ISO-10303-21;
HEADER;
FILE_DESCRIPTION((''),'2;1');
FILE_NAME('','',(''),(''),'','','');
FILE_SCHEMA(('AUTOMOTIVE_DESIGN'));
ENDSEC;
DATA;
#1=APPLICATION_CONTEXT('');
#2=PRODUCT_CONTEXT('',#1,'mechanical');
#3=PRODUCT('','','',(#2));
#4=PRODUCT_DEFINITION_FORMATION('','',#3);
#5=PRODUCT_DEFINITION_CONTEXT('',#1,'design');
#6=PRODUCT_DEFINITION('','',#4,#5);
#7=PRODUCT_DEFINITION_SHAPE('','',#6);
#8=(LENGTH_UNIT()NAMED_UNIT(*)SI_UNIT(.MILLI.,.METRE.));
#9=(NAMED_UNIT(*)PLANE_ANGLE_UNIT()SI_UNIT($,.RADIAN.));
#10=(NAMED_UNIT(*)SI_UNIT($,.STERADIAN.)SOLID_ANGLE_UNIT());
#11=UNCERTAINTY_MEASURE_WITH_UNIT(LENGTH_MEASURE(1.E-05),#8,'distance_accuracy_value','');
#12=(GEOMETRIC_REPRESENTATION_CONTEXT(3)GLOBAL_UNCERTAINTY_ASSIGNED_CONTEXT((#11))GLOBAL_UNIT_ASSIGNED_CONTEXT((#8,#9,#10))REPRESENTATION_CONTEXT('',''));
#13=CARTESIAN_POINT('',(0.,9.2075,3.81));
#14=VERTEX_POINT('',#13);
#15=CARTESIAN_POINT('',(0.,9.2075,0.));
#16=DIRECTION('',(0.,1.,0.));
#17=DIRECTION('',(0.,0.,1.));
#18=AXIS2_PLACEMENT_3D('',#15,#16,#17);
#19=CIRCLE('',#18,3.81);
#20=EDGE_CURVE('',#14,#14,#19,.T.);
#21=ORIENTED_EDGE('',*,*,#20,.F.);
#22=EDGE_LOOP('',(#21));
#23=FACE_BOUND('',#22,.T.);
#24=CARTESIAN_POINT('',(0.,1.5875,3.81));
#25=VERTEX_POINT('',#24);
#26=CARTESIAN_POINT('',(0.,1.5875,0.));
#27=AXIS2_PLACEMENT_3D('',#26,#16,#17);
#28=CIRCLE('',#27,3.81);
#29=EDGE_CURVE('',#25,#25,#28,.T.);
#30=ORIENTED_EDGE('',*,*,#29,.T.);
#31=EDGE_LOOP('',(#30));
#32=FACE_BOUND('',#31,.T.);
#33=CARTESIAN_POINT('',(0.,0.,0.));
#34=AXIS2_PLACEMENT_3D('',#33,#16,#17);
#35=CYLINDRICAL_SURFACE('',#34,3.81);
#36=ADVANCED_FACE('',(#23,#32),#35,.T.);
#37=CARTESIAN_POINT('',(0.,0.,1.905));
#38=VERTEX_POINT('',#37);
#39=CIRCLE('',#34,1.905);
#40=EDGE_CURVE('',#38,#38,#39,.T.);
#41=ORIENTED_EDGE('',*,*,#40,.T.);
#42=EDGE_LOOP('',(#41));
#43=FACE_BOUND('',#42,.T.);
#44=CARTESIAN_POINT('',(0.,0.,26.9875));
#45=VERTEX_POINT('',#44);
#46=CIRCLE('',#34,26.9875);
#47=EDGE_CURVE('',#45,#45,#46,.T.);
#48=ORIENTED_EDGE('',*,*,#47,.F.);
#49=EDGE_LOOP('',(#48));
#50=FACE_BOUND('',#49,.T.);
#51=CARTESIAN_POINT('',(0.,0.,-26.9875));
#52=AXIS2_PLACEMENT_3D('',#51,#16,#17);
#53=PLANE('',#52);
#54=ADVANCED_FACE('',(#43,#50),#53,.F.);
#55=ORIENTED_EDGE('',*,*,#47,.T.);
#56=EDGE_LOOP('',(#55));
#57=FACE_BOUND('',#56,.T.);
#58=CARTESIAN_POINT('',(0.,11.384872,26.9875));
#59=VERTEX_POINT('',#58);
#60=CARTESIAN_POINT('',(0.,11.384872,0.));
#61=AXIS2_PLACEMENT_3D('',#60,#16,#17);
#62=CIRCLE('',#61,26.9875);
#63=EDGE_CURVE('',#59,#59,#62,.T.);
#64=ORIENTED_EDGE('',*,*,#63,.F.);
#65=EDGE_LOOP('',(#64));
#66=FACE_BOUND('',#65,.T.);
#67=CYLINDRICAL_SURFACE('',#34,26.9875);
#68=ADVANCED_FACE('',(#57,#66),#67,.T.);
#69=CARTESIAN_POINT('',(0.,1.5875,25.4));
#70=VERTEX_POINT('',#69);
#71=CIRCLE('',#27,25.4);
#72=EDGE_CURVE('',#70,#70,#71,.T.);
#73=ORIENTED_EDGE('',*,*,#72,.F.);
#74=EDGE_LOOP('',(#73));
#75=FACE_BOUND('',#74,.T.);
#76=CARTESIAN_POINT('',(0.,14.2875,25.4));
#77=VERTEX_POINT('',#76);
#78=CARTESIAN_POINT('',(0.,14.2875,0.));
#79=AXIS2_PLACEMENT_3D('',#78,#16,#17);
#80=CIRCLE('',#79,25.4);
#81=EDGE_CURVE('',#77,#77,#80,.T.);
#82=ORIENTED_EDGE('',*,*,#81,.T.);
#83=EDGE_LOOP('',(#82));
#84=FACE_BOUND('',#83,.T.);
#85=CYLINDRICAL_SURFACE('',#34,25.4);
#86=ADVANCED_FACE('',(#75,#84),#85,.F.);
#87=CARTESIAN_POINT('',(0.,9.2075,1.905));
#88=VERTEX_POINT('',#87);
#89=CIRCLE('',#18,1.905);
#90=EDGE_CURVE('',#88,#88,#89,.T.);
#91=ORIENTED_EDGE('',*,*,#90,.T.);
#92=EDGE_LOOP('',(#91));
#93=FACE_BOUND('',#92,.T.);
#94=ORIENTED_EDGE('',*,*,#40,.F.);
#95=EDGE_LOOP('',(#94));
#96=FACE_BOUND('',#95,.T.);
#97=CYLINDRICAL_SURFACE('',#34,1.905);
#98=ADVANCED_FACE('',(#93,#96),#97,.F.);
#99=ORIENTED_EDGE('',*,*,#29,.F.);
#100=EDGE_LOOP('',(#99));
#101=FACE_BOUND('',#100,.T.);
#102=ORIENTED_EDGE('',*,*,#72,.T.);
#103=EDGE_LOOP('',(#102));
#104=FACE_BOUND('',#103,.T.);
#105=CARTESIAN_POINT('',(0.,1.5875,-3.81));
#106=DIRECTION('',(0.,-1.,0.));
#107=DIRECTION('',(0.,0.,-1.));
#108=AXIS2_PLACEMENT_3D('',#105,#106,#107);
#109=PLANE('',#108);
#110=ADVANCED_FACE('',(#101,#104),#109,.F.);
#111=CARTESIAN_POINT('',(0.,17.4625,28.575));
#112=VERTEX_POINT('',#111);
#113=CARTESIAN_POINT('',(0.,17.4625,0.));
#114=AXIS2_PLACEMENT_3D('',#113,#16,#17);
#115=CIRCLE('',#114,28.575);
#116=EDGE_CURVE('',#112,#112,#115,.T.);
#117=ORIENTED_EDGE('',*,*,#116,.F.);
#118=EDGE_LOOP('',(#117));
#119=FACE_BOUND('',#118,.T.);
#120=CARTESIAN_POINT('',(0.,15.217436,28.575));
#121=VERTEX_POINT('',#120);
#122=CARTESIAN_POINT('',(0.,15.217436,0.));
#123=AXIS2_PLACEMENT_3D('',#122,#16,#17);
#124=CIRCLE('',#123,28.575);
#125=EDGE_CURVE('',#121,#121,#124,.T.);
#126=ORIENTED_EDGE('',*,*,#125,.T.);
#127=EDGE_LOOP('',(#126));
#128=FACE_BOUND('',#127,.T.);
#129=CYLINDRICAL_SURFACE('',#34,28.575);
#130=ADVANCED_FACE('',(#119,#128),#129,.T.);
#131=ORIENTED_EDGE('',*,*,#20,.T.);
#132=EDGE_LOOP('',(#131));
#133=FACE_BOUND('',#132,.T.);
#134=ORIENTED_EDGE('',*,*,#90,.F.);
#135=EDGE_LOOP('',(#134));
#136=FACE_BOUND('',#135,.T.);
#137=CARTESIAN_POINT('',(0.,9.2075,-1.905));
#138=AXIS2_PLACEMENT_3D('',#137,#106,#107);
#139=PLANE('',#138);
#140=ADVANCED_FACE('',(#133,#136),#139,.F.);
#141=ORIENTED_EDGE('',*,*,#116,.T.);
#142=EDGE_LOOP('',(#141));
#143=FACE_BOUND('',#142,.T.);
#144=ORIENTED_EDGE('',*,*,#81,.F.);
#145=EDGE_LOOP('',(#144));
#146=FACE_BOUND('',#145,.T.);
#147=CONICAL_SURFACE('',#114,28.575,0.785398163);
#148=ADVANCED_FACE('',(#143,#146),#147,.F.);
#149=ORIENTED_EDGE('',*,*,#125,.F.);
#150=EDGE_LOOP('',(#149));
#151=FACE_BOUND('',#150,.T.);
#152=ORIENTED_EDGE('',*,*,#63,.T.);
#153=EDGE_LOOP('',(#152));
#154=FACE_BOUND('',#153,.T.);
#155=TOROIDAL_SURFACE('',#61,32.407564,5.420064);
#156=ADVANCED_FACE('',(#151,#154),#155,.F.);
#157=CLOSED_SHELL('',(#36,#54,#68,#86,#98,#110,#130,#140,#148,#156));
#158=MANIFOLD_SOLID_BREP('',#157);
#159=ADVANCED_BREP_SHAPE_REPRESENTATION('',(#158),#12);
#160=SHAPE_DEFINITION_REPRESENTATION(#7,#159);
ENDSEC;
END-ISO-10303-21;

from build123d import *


with BuildPart() as part:
    # Sketch2 → Revolve1 (revolve)
    with BuildSketch(Plane(origin=(0, 0, 0), x_dir=(0, 0, -1), z_dir=(1, 0, 0)), mode=Mode.PRIVATE) as revolve1_sk:
        with BuildLine():
            Line((1.905, 0), (1.905, 9.2075))
            Line((1.905, 9.2075), (3.81, 9.2075))
            Line((3.81, 9.2075), (3.81, 1.5875))
            Line((3.81, 1.5875), (25.4, 1.5875))
            Line((25.4, 1.5875), (25.4, 14.2875))
            Line((25.4, 14.2875), (28.575, 17.4625))
            Line((28.575, 17.4625), (28.575, 15.21743597))
            ThreePointArc((28.575, 15.21743597), (27.400077808, 13.459040646), (26.9875, 11.384871939))
            Line((26.9875, 11.384871939), (26.9875, 0))
            Line((26.9875, 0), (1.905, 0))
        make_face()
    revolve(revolve1_sk.sketch.rotate(Axis((0, 0, 0), (0, -1, 0)), 180), axis=Axis((0, 0, 0), (0, -1, 0)))


solid = part.part
